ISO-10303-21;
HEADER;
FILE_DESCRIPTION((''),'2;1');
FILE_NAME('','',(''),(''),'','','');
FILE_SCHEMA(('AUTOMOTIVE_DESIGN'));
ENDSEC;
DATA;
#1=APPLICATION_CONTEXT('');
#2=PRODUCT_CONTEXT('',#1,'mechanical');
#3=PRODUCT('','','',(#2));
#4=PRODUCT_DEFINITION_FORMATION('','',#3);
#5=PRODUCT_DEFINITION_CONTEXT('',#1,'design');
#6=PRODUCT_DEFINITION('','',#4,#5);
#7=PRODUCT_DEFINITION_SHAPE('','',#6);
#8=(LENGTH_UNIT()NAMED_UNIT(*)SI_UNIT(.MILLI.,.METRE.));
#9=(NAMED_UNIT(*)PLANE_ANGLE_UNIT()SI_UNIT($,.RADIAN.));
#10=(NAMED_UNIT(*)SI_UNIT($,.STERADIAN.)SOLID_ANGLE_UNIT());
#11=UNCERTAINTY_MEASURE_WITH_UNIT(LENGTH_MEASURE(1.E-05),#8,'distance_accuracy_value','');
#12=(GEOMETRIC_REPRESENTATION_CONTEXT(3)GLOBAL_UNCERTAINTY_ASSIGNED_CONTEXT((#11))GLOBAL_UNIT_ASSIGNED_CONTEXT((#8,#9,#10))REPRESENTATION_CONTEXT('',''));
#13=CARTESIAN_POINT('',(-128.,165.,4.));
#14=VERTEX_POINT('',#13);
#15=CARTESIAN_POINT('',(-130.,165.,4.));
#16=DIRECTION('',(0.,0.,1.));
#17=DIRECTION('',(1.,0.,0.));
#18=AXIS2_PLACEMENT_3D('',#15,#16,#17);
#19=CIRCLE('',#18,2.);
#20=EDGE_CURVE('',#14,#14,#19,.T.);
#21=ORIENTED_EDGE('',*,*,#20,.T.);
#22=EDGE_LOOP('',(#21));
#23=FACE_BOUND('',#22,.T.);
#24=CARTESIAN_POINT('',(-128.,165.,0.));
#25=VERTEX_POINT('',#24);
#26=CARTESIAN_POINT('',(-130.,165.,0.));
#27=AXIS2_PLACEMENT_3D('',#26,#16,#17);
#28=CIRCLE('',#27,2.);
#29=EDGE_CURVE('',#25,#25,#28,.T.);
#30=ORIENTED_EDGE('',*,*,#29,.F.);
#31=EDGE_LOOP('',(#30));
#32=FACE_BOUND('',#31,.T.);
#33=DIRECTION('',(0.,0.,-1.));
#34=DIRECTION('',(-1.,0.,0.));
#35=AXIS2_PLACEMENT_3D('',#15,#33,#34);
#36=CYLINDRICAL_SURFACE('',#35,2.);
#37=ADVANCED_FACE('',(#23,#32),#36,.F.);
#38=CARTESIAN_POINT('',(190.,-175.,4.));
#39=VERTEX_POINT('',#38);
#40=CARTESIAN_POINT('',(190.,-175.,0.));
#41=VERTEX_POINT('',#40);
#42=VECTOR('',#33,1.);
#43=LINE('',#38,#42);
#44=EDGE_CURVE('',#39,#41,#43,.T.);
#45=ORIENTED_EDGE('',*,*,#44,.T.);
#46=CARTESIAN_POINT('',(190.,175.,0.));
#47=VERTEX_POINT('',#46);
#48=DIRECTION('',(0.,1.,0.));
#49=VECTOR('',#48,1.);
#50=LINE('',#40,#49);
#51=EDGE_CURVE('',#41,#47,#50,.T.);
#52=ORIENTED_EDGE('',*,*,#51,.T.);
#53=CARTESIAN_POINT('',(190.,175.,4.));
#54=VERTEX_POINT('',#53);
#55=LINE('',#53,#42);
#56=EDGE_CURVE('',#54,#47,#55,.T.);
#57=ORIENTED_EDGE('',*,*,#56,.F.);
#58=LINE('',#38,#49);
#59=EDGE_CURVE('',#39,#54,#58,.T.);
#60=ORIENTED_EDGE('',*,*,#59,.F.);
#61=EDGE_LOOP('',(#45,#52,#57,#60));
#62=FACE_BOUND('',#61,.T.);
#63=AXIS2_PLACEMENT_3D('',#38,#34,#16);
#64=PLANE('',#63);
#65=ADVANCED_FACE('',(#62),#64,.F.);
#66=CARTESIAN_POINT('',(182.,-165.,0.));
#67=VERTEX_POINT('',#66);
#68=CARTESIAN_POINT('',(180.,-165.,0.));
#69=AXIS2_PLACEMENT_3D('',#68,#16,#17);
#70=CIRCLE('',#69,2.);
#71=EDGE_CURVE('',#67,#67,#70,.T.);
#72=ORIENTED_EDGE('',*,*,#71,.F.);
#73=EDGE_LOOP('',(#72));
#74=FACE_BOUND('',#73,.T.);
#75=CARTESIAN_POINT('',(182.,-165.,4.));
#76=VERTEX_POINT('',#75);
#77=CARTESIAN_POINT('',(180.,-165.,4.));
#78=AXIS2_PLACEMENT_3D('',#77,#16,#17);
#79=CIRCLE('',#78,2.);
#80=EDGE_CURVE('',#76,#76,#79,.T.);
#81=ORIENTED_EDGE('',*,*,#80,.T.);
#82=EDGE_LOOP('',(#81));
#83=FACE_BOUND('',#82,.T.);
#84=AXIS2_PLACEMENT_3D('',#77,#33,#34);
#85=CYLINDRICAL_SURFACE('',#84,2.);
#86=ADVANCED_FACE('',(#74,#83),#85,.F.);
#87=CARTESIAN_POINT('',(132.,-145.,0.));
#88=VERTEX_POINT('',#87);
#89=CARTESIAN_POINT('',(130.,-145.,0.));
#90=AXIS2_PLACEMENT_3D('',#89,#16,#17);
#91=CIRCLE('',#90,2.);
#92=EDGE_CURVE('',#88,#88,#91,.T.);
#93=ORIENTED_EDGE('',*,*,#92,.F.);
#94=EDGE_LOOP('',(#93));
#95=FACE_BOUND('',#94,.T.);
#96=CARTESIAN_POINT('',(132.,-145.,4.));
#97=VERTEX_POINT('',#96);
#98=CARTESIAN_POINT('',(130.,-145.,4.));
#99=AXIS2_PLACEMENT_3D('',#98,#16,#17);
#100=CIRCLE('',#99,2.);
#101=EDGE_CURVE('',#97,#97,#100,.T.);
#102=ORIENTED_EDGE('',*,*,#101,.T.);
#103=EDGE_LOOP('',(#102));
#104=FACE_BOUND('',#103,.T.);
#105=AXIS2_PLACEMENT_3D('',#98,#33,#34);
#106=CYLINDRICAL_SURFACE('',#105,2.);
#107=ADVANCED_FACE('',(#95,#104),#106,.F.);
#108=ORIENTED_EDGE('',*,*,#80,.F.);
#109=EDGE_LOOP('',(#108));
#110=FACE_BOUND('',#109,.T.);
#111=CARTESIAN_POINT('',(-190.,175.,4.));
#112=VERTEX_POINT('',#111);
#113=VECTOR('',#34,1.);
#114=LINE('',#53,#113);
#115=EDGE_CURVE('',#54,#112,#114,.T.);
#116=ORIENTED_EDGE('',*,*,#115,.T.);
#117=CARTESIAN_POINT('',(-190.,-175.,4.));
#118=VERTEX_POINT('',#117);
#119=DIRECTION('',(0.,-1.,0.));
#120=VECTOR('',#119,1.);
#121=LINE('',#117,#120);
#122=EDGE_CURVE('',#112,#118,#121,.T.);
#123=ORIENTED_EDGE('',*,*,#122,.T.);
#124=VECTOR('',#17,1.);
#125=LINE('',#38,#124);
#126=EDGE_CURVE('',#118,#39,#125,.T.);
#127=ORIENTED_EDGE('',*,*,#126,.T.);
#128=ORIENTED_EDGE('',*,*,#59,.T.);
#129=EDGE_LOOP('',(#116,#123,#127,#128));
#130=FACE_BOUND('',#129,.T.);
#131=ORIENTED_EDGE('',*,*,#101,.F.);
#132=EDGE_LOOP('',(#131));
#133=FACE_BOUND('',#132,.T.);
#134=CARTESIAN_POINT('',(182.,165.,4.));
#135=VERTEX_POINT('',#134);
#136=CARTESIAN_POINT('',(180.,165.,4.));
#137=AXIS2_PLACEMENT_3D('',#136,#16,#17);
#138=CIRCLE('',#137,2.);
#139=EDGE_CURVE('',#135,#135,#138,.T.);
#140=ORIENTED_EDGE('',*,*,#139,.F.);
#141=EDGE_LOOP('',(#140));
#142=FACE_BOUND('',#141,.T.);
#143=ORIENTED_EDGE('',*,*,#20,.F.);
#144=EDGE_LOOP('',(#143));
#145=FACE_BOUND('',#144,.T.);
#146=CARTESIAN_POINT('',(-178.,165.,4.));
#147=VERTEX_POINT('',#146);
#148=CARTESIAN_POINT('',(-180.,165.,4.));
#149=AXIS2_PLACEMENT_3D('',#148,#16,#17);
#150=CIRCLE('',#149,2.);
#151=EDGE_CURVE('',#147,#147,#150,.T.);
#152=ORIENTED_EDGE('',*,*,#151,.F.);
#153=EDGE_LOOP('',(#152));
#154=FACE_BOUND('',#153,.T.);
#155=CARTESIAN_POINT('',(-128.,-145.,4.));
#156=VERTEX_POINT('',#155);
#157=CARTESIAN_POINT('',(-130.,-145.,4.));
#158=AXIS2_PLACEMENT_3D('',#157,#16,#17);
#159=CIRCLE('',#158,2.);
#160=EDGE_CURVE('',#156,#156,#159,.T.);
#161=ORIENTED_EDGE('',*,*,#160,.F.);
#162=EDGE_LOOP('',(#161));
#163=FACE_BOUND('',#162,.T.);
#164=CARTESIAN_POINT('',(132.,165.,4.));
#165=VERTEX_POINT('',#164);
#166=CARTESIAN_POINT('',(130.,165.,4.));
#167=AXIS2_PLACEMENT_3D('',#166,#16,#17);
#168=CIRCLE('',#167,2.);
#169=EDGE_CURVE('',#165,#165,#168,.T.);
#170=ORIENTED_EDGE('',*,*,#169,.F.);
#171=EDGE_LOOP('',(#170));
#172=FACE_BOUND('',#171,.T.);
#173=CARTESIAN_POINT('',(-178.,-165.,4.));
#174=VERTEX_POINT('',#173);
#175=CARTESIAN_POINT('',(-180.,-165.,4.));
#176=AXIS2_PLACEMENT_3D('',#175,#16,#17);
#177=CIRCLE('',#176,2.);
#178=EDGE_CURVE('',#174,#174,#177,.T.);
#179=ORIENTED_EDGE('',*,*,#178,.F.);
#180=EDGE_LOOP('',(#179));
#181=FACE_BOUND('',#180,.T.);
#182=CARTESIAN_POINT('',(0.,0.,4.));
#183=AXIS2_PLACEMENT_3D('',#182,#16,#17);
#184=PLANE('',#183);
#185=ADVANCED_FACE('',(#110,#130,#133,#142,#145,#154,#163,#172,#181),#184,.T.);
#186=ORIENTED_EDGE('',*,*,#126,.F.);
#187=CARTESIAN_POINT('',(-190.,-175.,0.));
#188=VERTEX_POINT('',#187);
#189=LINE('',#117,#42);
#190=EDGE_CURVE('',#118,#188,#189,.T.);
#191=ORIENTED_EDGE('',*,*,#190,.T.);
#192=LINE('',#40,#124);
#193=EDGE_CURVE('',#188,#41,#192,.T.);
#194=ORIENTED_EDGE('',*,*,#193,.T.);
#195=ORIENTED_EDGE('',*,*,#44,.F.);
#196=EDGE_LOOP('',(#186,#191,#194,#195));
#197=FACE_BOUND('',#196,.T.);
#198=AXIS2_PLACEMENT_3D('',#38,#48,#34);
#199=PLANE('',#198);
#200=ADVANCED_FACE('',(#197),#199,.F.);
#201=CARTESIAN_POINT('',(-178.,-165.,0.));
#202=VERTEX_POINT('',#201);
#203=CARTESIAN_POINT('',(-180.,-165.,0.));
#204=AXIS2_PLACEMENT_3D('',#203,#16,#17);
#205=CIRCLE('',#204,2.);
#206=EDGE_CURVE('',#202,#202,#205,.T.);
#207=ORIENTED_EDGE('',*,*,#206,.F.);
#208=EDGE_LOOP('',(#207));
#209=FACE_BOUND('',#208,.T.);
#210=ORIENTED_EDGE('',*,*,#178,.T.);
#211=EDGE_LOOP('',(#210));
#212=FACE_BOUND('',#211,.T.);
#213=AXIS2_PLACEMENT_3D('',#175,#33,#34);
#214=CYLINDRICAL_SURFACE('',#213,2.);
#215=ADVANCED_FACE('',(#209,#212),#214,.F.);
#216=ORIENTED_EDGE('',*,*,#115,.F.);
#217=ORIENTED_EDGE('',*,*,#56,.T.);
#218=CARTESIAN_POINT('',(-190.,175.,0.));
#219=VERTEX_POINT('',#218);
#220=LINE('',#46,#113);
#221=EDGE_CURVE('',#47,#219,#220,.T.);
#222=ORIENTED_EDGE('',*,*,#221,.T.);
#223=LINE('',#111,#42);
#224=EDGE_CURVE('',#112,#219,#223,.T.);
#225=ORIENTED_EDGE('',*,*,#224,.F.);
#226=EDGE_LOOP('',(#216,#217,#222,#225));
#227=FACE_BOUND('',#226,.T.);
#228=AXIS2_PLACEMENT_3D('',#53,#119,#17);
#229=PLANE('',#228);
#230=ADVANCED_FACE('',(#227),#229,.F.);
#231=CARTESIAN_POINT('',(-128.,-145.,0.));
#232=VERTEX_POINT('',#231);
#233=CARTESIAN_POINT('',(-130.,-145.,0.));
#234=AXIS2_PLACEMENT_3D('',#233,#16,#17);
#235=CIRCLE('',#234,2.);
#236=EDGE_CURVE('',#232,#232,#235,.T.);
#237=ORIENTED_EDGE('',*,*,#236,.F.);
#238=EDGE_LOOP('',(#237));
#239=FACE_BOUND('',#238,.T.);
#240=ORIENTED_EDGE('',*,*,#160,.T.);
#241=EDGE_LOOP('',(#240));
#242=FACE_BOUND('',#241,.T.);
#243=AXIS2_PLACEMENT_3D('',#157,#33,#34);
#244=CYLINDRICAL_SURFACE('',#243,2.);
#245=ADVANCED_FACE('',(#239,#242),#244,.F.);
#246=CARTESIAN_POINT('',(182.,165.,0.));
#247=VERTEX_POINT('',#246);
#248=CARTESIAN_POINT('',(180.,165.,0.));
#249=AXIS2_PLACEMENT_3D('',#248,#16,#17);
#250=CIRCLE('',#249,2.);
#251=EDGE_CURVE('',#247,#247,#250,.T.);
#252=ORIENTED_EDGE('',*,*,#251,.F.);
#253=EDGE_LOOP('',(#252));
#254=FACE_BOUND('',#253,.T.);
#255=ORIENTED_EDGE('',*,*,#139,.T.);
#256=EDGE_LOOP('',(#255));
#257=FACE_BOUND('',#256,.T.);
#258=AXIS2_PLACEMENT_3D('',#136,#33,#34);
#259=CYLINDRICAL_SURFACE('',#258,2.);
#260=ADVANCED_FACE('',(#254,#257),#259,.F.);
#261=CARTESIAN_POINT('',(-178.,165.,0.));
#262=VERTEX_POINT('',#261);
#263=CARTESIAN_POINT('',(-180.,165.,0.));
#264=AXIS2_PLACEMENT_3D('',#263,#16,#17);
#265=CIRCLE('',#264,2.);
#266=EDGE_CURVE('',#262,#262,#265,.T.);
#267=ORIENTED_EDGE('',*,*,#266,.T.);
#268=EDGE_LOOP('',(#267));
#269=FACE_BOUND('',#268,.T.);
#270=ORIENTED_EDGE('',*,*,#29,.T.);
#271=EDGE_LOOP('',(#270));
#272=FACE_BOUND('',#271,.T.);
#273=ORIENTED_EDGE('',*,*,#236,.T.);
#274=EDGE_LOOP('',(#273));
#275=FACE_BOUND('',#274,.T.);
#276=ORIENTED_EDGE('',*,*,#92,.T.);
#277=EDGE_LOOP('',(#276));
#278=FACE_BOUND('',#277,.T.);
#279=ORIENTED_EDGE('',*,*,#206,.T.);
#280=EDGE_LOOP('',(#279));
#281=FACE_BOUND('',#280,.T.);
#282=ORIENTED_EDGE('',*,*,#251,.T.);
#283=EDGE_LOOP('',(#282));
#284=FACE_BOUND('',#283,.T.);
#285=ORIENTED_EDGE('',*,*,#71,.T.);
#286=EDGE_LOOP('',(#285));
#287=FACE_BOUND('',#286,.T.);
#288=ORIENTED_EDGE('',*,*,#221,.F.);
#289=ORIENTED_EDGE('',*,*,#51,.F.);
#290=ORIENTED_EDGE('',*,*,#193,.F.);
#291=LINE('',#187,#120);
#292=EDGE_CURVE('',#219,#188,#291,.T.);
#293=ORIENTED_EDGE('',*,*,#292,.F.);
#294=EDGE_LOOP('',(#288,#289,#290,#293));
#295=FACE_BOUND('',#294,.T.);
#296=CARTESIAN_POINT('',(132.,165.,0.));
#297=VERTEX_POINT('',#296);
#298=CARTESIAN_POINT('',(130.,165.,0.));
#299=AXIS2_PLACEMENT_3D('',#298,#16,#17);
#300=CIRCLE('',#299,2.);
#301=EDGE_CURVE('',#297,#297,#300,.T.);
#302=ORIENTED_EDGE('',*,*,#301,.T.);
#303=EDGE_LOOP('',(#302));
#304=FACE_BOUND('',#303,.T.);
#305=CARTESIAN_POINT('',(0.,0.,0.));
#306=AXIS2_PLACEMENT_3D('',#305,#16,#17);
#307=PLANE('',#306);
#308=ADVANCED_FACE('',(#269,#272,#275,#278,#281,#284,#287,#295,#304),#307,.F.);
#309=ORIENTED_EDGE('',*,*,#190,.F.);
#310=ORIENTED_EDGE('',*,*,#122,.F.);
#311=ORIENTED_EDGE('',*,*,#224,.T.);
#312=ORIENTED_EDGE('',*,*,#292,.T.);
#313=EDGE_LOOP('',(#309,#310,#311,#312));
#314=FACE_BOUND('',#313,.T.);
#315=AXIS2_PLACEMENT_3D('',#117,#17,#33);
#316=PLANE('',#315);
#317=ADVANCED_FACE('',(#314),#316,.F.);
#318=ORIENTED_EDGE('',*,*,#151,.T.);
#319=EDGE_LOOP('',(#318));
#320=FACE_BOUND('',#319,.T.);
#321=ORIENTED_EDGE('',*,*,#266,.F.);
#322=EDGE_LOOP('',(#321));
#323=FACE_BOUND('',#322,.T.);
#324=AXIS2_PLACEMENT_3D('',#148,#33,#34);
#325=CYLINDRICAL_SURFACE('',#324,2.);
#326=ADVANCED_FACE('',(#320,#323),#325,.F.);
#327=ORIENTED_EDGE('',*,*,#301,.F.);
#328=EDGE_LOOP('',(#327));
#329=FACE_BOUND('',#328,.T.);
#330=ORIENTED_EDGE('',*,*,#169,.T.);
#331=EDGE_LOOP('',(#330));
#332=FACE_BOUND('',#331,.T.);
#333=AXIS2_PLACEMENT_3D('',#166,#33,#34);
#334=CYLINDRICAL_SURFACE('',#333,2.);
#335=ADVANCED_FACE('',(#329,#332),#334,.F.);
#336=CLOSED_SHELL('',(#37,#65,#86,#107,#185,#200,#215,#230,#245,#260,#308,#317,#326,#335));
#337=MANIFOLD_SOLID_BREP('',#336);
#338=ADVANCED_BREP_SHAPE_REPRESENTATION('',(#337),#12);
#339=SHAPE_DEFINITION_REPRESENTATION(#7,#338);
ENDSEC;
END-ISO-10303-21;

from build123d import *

# Parameters (mm, degrees)
SKICA1_W                = 380
SKICA1_H                = 350
SKICA1_R                = 2
P_IDAT_VYSUNUT_M1_DEPTH = 4


with BuildPart() as part:
    # Skica1 → Přidat vysunutím1 (new body)
    with BuildSketch(Plane.XY):
        Rectangle(SKICA1_W, SKICA1_H)
        with Locations((-180, 165)):
            Circle(SKICA1_R, mode=Mode.SUBTRACT)
        with Locations((180, 165)):
            Circle(SKICA1_R, mode=Mode.SUBTRACT)
        with Locations((180, -165)):
            Circle(SKICA1_R, mode=Mode.SUBTRACT)
        with Locations((-180, -165)):
            Circle(SKICA1_R, mode=Mode.SUBTRACT)
        with Locations((-130, 165)):
            Circle(SKICA1_R, mode=Mode.SUBTRACT)
        with Locations((130, 165)):
            Circle(SKICA1_R, mode=Mode.SUBTRACT)
        with Locations((130, -145)):
            Circle(SKICA1_R, mode=Mode.SUBTRACT)
        with Locations((-130, -145)):
            Circle(SKICA1_R, mode=Mode.SUBTRACT)
    extrude(amount=P_IDAT_VYSUNUT_M1_DEPTH)


solid = part.part
